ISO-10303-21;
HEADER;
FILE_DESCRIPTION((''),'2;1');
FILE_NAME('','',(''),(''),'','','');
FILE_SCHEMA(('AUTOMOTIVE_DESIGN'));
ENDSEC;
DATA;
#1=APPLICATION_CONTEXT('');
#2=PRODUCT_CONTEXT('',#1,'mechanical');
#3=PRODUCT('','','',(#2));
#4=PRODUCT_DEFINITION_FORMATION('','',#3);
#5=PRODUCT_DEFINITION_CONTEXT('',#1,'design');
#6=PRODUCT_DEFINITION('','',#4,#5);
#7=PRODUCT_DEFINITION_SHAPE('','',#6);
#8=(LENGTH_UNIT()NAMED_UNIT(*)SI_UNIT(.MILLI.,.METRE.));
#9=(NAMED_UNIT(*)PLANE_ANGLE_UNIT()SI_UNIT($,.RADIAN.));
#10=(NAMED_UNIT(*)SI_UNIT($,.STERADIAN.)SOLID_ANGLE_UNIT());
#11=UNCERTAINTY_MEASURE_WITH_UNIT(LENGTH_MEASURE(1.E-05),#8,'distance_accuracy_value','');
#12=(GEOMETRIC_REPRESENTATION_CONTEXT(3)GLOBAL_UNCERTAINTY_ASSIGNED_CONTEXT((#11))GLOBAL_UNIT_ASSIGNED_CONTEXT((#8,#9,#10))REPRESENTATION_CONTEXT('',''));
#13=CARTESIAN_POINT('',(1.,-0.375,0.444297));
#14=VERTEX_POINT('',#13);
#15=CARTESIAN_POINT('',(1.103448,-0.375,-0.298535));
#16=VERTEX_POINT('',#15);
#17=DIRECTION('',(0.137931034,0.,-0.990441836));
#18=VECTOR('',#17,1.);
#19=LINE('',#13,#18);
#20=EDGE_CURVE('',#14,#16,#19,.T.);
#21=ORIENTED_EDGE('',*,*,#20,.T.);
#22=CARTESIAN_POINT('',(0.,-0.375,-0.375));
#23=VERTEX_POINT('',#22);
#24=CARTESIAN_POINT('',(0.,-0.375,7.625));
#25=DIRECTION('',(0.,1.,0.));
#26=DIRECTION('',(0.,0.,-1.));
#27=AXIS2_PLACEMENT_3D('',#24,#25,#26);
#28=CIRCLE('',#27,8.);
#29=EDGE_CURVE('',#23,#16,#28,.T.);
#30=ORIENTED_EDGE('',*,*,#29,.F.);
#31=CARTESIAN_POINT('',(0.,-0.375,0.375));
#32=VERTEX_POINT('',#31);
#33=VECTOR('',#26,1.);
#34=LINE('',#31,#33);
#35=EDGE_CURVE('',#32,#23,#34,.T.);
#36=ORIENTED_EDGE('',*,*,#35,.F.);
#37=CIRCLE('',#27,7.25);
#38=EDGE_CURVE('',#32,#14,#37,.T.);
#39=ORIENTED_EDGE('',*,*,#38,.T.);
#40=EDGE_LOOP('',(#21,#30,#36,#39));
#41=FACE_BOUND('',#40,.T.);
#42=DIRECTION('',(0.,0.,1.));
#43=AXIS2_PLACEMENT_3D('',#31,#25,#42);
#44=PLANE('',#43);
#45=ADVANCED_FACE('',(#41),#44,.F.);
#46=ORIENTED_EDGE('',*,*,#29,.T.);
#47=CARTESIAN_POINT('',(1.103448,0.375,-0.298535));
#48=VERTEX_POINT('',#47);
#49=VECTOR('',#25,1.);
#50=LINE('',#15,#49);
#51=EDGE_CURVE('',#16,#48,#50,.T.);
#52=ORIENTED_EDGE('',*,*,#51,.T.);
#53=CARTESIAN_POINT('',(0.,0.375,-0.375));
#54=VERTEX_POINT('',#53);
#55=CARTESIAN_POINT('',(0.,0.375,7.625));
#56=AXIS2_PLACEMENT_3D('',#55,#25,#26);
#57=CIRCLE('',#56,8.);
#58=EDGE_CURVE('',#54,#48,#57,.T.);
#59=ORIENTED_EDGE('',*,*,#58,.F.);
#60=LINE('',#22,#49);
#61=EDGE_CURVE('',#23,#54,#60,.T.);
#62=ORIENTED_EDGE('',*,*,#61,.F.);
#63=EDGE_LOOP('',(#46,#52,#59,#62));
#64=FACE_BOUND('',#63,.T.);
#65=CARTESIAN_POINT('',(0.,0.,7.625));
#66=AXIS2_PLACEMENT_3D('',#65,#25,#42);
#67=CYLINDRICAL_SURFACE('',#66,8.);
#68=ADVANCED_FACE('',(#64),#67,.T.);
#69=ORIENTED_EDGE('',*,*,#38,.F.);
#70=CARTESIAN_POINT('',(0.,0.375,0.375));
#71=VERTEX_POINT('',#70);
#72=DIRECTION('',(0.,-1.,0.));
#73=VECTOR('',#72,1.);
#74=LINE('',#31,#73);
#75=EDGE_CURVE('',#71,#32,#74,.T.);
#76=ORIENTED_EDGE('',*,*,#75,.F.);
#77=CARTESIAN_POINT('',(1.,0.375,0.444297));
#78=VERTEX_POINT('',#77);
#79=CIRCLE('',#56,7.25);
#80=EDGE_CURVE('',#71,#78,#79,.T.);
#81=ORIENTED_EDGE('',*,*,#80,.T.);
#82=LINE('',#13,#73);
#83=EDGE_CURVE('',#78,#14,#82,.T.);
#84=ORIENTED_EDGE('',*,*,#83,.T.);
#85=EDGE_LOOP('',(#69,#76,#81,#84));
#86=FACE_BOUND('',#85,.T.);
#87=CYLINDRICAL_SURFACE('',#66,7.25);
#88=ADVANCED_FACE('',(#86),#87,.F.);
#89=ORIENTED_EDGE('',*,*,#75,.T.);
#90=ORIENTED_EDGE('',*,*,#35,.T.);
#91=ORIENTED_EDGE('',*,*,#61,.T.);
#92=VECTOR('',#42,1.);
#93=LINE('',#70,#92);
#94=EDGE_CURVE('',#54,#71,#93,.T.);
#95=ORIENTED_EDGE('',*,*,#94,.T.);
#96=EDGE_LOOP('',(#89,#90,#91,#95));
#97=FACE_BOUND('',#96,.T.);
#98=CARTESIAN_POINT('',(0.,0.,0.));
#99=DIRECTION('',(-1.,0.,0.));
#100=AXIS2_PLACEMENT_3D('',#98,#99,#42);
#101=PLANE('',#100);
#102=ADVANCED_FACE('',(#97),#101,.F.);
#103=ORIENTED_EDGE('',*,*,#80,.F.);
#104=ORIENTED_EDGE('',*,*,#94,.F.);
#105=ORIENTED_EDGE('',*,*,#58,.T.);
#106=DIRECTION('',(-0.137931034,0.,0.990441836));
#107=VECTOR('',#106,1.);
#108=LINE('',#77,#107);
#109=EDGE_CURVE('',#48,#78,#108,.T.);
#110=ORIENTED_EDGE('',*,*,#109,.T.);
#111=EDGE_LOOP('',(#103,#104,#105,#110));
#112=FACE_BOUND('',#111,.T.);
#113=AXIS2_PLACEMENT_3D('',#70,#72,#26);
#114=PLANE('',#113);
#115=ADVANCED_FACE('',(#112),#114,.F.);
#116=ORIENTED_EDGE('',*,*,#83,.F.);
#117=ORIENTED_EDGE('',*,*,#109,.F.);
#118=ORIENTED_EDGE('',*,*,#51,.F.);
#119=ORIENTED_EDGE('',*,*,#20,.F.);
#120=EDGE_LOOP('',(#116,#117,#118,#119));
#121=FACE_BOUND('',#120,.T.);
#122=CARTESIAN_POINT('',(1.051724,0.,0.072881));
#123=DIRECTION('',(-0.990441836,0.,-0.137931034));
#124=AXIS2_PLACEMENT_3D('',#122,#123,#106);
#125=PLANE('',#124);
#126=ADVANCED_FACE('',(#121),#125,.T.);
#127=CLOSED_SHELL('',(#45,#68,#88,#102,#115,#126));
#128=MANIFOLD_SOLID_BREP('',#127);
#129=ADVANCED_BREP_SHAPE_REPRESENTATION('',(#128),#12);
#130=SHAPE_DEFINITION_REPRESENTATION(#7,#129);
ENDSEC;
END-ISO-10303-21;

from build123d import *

# Parameters (mm, degrees)
SKETCH1_W = 0.75
SKETCH1_H = 0.75


with BuildPart() as part:
    # Sweep1: sweep along a path in Sketch2
    with BuildLine(Plane(origin=(0, 0, 0), x_dir=(1, 0, 0), z_dir=(0, 1, 0))) as sweep1_path:
        ThreePointArc((0, -0.375), (-0.50119907, -14.857655079), (1, -0.444296692))
    # Sketch1 → Sweep1 (sweep)
    with BuildSketch(Plane(origin=(0, 0, 0), x_dir=(0, 0, -1), z_dir=(1, 0, 0))):
        Rectangle(SKETCH1_W, SKETCH1_H)
    sweep(path=sweep1_path.line)


solid = part.part
